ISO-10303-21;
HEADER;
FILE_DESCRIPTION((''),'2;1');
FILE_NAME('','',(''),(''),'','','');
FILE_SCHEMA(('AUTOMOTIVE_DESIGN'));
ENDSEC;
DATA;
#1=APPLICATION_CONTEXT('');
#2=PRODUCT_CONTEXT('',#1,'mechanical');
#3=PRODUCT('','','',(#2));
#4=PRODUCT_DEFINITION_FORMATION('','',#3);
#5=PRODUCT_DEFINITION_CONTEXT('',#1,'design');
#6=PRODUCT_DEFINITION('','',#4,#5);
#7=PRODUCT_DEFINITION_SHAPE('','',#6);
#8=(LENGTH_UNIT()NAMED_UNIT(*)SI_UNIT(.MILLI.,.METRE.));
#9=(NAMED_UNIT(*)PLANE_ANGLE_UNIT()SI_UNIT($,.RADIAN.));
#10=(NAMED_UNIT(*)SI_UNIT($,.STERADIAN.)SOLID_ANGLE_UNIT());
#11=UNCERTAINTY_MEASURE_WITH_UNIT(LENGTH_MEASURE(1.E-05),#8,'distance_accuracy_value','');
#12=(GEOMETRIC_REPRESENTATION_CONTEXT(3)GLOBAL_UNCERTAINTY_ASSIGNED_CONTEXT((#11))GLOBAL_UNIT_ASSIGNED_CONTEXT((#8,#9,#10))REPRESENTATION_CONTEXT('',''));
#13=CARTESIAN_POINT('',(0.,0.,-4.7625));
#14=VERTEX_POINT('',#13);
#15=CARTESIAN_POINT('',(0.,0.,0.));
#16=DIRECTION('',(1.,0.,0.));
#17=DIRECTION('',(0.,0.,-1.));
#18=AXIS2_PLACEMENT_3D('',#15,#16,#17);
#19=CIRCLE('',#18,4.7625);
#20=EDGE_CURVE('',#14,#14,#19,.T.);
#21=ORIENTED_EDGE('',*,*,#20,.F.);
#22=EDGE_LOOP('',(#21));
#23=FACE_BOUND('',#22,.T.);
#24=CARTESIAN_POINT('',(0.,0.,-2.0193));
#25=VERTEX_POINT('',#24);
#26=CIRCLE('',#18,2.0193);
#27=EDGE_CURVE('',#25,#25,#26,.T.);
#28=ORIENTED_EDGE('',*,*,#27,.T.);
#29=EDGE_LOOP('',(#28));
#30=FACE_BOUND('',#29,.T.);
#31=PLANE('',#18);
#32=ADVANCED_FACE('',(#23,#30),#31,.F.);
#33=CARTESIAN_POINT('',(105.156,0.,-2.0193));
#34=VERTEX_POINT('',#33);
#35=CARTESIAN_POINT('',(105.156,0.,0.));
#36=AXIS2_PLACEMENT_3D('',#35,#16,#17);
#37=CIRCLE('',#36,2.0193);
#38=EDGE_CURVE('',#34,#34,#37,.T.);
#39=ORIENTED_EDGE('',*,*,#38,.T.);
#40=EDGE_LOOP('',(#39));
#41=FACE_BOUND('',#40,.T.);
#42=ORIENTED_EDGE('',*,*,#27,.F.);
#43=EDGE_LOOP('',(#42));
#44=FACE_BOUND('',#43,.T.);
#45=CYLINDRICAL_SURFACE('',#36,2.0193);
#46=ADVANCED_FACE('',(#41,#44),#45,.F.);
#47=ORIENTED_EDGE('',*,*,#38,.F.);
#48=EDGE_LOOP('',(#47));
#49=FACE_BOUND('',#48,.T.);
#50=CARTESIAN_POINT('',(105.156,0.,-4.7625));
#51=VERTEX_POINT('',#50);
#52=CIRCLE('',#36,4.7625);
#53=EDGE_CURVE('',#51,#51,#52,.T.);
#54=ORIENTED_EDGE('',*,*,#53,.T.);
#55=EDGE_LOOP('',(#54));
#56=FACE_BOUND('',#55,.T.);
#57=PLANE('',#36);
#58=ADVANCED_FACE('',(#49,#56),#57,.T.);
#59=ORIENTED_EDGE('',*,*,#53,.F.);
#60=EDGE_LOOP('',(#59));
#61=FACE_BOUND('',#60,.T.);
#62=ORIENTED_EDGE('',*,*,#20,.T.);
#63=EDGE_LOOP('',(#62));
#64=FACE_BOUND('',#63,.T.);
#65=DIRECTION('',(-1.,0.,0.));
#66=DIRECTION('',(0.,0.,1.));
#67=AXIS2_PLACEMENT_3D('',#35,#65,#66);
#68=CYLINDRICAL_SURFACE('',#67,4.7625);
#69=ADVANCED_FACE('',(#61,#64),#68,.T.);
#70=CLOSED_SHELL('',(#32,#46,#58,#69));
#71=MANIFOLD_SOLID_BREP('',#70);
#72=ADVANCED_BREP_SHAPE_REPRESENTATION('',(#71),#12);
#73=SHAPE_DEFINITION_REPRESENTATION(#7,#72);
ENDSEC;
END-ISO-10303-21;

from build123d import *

# Parameters (mm, degrees)
SKETCH1_R              = 4.7625
BOSS_EXTRUDE1_DEPTH    = 105.156
F_10_32_TAPPED_HOLE1_D = 4.0386


with BuildPart() as part:
    # Sketch1 → Boss-Extrude1 (new body)
    with BuildSketch(Plane(origin=(0, 0, 0), x_dir=(0, 0, -1), z_dir=(1, 0, 0))):
        Circle(SKETCH1_R)
    extrude(amount=BOSS_EXTRUDE1_DEPTH)

    # #10-32 Tapped Hole1 (through all)
    with Locations(Plane(origin=(105.156, 0, 0), x_dir=(0, 0, -1), z_dir=(1, 0, 0))):
        with Locations((0, 0)):
            Hole(F_10_32_TAPPED_HOLE1_D / 2)


solid = part.part
